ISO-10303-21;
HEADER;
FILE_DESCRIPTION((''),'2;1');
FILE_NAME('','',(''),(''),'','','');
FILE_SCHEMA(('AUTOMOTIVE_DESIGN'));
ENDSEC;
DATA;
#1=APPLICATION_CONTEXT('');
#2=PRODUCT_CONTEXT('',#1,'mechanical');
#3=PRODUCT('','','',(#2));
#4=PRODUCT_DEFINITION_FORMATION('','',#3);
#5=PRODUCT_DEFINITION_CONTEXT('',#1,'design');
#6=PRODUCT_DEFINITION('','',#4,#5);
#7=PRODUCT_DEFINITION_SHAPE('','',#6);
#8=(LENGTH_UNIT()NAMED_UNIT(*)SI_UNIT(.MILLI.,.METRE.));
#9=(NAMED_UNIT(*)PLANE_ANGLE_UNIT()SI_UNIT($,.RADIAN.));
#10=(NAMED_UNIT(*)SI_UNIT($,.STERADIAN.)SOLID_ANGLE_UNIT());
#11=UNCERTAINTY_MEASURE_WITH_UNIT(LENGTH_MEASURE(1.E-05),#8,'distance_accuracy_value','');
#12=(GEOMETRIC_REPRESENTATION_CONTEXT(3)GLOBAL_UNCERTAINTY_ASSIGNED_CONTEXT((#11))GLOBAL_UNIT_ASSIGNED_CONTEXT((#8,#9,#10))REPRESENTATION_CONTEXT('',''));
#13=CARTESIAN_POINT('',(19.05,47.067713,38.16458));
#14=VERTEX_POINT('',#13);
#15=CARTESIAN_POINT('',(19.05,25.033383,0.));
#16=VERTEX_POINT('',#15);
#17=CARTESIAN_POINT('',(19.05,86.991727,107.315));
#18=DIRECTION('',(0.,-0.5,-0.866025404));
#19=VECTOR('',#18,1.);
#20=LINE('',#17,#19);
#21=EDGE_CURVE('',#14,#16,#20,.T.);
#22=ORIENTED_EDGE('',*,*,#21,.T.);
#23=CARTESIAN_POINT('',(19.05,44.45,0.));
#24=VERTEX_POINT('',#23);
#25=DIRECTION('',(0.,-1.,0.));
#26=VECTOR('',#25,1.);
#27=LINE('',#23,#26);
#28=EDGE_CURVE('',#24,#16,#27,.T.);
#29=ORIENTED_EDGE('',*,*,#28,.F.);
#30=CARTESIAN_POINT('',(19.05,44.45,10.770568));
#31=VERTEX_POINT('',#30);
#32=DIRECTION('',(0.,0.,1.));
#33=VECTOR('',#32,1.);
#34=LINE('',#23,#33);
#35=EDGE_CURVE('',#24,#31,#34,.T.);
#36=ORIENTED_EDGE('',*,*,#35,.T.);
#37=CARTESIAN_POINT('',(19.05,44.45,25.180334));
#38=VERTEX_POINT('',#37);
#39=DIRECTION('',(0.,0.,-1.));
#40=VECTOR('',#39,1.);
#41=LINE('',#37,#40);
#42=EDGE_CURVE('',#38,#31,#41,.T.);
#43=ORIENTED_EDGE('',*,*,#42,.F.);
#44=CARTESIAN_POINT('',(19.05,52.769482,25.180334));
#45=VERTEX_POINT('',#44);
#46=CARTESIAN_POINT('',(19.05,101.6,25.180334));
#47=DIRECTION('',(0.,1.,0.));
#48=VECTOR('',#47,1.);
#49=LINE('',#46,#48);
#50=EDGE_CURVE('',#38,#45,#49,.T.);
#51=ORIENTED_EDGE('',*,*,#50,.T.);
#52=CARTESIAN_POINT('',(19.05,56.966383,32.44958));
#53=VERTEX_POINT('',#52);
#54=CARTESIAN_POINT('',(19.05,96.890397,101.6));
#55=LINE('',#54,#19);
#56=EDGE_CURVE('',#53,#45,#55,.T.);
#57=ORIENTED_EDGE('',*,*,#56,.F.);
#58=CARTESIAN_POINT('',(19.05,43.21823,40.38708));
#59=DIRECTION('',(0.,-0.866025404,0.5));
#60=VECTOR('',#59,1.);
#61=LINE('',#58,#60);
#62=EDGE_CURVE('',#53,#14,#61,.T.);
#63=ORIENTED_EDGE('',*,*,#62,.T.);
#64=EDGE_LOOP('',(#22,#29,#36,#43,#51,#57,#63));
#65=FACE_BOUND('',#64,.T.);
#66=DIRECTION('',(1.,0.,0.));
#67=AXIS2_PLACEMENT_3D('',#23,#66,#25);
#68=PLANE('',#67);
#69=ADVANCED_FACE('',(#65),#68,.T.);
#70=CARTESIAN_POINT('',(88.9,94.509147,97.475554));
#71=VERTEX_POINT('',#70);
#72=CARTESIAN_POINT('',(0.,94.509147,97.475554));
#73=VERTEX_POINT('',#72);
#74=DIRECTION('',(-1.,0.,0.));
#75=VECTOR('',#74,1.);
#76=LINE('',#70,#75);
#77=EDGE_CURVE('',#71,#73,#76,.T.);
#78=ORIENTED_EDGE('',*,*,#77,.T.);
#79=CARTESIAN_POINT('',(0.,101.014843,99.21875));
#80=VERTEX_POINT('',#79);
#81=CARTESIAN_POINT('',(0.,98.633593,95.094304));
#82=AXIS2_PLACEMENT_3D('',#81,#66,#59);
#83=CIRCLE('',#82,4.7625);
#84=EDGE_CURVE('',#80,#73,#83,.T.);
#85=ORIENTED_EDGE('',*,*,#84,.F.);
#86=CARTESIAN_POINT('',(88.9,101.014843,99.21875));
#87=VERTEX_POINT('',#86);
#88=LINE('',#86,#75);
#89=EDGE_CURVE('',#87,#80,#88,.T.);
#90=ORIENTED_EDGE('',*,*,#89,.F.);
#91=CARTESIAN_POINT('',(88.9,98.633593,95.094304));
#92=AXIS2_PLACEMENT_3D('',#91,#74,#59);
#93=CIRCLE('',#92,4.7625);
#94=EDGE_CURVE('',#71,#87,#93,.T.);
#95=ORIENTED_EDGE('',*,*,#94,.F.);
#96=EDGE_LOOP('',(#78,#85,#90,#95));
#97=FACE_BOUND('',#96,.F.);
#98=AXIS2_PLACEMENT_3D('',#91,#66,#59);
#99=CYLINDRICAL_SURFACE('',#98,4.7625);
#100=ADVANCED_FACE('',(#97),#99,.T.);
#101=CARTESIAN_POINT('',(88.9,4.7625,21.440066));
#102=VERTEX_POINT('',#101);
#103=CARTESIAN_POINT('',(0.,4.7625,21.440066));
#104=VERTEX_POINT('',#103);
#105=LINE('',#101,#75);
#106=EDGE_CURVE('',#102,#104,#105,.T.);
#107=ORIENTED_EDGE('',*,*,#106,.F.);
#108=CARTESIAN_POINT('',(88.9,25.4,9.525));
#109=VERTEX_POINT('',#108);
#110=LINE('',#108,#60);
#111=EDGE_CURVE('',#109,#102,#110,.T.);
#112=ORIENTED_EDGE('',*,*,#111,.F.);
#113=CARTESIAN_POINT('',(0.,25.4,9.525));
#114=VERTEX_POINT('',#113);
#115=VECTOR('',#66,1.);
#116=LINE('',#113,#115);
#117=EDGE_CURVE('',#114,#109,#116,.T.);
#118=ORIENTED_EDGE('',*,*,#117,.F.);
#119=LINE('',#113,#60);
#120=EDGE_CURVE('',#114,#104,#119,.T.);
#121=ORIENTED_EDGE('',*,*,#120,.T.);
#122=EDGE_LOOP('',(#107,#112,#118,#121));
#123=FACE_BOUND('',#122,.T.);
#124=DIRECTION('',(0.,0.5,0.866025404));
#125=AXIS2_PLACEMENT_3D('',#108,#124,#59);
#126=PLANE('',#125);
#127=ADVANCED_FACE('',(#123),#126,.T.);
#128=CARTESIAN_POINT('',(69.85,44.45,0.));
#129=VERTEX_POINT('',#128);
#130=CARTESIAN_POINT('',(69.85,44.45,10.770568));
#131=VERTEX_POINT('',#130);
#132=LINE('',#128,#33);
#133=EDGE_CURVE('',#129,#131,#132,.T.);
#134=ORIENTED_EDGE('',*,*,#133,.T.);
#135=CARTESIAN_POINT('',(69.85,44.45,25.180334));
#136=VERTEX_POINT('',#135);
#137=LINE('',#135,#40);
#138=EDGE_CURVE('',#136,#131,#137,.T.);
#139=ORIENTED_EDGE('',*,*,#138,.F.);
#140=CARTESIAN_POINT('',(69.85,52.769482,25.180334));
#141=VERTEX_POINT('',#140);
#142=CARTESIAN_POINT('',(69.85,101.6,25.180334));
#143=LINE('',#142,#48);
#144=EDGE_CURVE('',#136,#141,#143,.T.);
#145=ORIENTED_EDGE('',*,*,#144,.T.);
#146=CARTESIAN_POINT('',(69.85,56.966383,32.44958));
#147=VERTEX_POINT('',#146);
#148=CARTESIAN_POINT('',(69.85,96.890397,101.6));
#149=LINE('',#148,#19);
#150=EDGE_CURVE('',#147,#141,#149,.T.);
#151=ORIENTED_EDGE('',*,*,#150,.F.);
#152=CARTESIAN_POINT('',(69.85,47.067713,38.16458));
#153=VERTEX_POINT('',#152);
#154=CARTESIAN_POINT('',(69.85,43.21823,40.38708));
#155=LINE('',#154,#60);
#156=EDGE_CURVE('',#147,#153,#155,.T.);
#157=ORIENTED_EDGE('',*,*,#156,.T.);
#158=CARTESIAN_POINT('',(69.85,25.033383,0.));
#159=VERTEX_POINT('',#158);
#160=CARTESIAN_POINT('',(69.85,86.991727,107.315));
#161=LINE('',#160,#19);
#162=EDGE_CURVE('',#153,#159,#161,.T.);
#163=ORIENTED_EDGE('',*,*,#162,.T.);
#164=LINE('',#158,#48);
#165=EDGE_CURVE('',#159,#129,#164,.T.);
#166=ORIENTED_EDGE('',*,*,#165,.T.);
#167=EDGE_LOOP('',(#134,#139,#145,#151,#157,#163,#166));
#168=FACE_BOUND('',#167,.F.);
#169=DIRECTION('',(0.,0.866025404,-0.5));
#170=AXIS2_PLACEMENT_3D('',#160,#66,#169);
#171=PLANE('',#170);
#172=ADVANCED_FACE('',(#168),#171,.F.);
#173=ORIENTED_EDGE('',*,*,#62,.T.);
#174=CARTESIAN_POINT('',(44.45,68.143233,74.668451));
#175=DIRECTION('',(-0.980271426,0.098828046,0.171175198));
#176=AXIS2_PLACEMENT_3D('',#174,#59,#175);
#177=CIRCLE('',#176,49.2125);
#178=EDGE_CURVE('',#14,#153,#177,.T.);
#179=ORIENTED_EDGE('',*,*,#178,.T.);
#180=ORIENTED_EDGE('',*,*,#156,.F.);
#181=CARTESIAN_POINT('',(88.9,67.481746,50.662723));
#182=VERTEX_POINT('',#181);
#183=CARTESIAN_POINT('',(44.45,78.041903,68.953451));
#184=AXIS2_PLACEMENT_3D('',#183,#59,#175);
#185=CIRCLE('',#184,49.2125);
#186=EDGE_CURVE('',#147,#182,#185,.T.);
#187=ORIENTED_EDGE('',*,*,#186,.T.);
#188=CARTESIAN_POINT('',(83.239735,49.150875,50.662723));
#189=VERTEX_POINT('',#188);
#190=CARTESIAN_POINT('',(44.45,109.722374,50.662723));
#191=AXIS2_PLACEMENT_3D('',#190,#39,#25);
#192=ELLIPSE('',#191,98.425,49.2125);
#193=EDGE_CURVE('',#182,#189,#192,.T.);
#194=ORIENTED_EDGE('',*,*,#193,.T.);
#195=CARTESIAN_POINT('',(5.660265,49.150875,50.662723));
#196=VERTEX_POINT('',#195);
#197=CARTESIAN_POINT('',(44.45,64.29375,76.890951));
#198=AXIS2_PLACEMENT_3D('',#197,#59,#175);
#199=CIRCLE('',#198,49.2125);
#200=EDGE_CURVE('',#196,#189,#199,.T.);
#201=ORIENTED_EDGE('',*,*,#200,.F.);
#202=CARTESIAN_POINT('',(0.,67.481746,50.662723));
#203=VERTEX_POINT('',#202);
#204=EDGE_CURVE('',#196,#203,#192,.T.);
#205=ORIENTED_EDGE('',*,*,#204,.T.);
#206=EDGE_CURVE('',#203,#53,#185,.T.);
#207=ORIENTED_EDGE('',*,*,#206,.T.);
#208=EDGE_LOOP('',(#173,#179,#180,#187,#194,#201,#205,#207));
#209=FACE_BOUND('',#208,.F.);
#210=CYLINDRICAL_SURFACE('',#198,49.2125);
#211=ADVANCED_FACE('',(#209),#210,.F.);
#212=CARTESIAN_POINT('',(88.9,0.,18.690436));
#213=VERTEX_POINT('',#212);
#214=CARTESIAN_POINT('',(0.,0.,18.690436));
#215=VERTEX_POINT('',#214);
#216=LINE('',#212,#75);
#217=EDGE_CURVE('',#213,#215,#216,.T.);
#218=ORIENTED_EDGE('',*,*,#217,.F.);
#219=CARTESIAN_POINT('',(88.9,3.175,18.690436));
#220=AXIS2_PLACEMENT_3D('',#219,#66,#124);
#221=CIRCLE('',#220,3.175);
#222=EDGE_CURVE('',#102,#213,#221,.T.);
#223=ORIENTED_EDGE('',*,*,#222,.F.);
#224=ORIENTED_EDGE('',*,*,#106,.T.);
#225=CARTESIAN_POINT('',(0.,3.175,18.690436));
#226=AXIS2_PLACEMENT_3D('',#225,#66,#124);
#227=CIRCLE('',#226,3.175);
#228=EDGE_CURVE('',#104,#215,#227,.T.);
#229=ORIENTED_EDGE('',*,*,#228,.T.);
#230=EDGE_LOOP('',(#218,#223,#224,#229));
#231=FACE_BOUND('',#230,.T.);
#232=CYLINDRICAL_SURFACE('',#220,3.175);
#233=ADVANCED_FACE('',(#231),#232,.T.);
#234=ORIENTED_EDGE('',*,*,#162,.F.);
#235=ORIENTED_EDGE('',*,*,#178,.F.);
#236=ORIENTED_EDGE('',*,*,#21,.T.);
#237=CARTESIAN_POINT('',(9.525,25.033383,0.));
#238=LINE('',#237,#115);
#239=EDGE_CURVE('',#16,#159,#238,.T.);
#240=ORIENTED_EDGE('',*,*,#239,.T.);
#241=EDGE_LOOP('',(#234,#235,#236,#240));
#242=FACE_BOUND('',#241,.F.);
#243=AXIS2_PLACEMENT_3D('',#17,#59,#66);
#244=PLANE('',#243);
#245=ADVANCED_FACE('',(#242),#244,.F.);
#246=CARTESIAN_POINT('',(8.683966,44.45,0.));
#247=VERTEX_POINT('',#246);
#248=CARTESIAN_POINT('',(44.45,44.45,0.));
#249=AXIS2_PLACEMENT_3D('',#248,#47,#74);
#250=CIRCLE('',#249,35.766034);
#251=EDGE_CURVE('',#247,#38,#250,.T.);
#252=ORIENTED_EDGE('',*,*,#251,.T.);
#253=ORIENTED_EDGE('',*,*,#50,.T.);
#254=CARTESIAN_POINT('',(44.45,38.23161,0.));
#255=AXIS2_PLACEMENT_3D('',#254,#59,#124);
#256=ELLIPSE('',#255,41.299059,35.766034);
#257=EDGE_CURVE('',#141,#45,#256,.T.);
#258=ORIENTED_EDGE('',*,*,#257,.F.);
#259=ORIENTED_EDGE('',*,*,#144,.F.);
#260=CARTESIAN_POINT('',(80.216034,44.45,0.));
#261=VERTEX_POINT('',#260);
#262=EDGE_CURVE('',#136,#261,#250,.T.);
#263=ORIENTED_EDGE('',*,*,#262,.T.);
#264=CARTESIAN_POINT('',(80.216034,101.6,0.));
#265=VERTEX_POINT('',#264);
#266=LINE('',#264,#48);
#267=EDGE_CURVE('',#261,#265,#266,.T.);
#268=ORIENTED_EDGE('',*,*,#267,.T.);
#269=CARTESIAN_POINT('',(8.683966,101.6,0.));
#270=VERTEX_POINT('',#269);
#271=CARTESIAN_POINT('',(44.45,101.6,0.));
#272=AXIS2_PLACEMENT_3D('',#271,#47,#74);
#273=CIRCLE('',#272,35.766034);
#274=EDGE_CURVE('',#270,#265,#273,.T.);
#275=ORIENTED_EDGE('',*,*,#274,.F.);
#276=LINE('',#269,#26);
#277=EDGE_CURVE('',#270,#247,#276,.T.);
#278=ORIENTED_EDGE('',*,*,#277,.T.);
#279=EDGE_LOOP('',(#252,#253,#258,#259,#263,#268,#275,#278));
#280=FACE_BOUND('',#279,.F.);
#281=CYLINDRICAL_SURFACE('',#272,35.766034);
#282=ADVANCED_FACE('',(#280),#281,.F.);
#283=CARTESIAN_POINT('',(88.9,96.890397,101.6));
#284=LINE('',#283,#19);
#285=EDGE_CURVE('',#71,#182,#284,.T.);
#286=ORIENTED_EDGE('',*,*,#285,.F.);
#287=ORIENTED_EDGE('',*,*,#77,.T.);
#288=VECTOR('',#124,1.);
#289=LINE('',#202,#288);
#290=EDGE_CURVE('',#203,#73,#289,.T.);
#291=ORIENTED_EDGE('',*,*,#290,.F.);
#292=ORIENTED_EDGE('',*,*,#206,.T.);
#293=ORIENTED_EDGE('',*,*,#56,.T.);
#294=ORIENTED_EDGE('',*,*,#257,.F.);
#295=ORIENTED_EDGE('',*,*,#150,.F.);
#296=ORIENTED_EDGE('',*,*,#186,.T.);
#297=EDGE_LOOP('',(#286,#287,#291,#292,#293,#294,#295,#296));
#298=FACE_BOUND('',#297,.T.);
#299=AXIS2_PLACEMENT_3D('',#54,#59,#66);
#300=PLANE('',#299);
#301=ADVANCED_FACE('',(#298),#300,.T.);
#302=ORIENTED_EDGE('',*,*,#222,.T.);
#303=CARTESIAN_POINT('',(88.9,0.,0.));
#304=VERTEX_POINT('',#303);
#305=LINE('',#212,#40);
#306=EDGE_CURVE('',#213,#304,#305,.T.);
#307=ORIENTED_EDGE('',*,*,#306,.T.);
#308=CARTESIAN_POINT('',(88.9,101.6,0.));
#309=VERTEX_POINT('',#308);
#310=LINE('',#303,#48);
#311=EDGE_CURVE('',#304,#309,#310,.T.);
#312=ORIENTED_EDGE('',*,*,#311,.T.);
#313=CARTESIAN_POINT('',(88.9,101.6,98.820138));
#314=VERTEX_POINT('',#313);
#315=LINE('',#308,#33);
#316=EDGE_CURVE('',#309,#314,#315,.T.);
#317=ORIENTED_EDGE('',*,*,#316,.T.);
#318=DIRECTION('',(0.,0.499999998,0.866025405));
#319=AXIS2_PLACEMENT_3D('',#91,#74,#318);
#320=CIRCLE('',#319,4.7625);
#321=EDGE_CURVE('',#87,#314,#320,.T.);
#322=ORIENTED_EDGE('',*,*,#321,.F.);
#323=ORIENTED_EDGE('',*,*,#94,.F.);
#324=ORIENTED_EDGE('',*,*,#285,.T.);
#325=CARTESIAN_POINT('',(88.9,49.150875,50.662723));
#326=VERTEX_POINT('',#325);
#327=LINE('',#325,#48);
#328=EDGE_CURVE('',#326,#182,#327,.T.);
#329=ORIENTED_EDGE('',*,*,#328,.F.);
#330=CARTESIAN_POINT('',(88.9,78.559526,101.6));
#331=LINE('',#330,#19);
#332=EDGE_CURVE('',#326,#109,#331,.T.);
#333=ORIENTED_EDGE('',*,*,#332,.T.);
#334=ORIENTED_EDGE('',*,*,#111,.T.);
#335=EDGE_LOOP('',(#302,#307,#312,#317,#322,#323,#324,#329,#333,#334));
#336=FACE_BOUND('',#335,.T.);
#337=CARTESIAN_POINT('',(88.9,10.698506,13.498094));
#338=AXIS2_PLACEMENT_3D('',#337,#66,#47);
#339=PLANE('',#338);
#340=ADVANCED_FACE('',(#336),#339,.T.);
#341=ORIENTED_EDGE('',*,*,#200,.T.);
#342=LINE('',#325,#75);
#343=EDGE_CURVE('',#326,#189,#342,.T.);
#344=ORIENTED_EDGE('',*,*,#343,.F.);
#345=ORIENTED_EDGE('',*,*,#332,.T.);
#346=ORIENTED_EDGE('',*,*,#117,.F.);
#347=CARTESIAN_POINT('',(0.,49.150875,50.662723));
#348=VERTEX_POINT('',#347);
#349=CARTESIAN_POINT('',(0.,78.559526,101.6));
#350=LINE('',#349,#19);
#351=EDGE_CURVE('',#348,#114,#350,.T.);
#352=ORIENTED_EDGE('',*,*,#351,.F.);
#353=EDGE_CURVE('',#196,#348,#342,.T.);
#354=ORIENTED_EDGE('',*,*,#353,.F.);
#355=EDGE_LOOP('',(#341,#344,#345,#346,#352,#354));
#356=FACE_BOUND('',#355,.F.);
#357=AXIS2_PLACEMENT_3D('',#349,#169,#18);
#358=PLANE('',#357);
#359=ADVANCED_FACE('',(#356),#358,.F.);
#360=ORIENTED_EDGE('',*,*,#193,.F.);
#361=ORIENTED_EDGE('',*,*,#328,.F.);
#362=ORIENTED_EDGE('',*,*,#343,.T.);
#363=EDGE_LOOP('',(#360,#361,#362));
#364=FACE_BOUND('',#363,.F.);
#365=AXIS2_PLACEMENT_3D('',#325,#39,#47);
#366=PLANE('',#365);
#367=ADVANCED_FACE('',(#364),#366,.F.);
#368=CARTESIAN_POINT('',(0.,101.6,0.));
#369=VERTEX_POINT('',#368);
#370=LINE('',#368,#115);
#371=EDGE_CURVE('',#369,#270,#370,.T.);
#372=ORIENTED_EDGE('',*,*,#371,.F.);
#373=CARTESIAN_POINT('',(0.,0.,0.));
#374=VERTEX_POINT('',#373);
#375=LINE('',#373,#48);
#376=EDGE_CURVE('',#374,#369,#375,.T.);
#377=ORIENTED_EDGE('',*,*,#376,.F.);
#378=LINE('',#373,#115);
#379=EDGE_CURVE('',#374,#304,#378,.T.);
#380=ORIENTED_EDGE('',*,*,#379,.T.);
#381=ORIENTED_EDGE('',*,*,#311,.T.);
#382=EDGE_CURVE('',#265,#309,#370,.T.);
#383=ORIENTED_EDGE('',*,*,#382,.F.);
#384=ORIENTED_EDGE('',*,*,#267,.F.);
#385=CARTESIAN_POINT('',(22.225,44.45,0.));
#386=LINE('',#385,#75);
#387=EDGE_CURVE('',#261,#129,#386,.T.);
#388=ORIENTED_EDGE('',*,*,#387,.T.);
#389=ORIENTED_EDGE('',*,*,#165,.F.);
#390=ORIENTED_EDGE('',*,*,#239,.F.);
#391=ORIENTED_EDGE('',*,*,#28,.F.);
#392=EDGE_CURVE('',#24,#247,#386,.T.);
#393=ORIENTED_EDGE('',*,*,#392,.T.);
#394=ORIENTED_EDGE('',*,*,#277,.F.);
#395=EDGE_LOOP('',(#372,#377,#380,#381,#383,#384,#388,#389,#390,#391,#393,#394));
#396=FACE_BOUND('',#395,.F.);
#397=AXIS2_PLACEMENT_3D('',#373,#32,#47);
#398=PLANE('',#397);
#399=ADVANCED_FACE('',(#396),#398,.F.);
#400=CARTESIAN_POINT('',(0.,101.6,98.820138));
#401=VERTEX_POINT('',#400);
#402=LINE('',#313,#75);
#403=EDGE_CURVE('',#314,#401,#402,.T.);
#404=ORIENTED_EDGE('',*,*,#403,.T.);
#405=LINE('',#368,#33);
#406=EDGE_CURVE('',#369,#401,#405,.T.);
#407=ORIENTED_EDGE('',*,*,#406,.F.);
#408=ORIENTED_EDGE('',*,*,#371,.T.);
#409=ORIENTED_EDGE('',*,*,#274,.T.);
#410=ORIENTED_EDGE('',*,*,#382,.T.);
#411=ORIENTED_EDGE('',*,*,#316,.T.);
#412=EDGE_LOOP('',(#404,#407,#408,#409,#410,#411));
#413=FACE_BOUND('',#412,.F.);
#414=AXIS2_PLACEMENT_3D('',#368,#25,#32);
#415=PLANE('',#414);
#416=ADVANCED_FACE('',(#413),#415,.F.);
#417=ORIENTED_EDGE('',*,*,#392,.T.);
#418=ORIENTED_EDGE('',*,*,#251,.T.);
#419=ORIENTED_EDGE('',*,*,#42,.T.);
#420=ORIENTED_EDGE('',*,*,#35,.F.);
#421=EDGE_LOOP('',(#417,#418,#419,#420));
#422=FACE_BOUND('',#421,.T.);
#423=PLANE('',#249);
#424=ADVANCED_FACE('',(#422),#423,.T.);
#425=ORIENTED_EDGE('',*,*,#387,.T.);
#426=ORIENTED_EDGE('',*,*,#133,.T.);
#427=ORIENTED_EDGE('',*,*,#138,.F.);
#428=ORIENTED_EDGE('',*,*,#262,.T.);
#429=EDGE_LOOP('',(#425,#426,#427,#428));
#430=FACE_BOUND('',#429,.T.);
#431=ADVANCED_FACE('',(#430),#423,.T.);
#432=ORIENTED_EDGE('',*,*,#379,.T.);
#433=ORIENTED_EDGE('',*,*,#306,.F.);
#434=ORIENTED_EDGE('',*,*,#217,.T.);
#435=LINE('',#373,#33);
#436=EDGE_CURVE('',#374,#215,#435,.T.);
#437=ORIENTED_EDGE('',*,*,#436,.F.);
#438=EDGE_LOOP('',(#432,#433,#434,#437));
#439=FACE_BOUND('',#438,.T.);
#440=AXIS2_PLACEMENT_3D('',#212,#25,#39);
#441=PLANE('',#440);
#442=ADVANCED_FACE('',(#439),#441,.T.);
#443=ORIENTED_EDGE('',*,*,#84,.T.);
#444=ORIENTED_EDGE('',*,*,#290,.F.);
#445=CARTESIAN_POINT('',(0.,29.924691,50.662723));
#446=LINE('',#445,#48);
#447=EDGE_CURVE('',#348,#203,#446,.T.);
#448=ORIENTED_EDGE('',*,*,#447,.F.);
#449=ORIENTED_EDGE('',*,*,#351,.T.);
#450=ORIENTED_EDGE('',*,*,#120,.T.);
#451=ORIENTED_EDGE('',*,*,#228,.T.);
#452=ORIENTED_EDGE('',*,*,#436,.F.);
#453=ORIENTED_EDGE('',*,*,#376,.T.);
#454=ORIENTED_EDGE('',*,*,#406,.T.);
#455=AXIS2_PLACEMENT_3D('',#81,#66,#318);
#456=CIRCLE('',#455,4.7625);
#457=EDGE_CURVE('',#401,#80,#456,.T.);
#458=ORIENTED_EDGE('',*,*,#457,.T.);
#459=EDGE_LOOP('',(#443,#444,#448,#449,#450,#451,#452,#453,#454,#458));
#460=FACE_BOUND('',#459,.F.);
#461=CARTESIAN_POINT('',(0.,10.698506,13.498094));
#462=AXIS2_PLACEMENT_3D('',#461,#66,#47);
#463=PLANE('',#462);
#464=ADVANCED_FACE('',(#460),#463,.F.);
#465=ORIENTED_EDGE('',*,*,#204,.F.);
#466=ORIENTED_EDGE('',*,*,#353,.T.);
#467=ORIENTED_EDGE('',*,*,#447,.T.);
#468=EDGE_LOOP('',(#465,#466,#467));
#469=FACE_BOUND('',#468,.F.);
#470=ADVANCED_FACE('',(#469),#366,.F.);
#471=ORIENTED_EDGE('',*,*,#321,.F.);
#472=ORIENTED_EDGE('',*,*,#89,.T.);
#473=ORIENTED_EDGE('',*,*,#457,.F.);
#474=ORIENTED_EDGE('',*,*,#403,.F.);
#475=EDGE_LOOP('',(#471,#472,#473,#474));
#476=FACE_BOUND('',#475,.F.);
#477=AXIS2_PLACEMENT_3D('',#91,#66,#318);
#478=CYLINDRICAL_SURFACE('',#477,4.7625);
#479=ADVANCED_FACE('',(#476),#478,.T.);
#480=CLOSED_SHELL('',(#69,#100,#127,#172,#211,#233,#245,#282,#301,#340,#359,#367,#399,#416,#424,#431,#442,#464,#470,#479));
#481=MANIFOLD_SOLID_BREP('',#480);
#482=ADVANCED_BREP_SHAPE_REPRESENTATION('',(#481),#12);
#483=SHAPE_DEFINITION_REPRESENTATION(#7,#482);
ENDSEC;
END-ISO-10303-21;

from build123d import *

# Parameters (mm, degrees)
F1_DEPTH  = 88.9
F3_DEPTH  = 15.875
F5_DEPTH  = 88.901
F6_W      = 50.8
F6_H      = 11.43
F7_DEPTH  = 136.4343795657
F8_R      = 35.7660342863
F9_DEPTH  = 57.15
F10_W     = 50.8
F10_H     = 6.2183902673
F11_DEPTH = 10.7715678842
F13_DEPTH = 88.9
F15_DEPTH = 88.901
F17_DEPTH = 88.901


with BuildPart() as f1:
    # F0 (on Right) → F1 (new body)
    with BuildSketch(Plane.YZ):
        Polygon((0, 9.525), (0, 0), (101.6, 0), (101.6, 101.6), (78.5595260356, 101.6), (25.4, 9.525), align=None)
    extrude(amount=F1_DEPTH)

    # F2 (on face) → F3 (cut)
    with BuildSketch(Plane(origin=(0, 14.9255540145, -8.6172726281), x_dir=(1, 0, 0), z_dir=(0, -0.8660254038, 0.5))):
        with BuildLine():
            Line((0, 127.2679440423), (-3.7916075595, 108.4635424443))
            ThreePointArc((-3.7916075595, 108.4635424443), (44.45, 49.523891971), (92.6916075595, 108.4635424443))
            Line((92.6916075595, 108.4635424443), (88.9, 127.2679440423))
            Line((88.9, 127.2679440423), (88.9, 140.5219882727))
            Line((88.9, 140.5219882727), (0, 140.5219882727))
            Line((0, 140.5219882727), (0, 127.2679440423))
        make_face()
    extrude(amount=-F3_DEPTH, mode=Mode.SUBTRACT)

    # F4 (on face) → F5 (cut, through all)
    with BuildSketch(Plane.YZ.offset(88.9)):
        Polygon((103.9759144766, 114.3859309679), (96.8903970824, 101.6), (110.1333461889, 93.9541797685), (117.4411960521, 106.6117470256), align=None)
    extrude(amount=-F5_DEPTH, mode=Mode.SUBTRACT)

    # F6 (on face) → F7 (cut, through all)
    with BuildSketch(Plane(origin=(0, 68.2166897829, 118.1547726281), x_dir=(1, 0, 0), z_dir=(0, 0.5, 0.8660254038))):
        with Locations((44.45, 27.3945452561)):
            Rectangle(F6_W, F6_H)
    extrude(amount=-F7_DEPTH, mode=Mode.SUBTRACT)

    # F8 (on face) → F9 (cut)
    with BuildSketch(Plane(origin=(0, 101.6, 0), x_dir=(-1, 0, 0), z_dir=(0, 1, 0))):
        with Locations((-44.45, 0)):
            Circle(F8_R)
    extrude(amount=-F9_DEPTH, mode=Mode.SUBTRACT)

    # F10 (on face) → F11 (cut, through all)
    with BuildSketch(Plane(origin=(0, 0, 0), x_dir=(1, 0, 0), z_dir=(0, 0, -1))):
        with Locations((44.45, -41.3408048664)):
            Rectangle(F10_W, F10_H)
    extrude(amount=-F11_DEPTH, mode=Mode.SUBTRACT)

    # F12 (on face) → F13 (join)
    with BuildSketch(Plane.YZ.offset(88.9)):
        with BuildLine():
            Line((0, 9.525), (25.4, 9.525))
            Line((25.4, 9.525), (4.7625, 21.4400661804))
            ThreePointArc((4.7625, 21.4400661804), (1.5875, 21.4400661804), (0, 18.6904355234))
            Line((0, 18.6904355234), (0, 9.525))
        make_face()
    extrude(amount=-F13_DEPTH)

    # F14 (on face) → F15 (cut, through all)
    with BuildSketch(Plane.YZ.offset(88.9)):
        Polygon((49.1508753236, 50.6627227848), (67.4817463704, 50.6627227848), (53.7335930853, 58.6002227848), align=None)
    extrude(amount=-F15_DEPTH, mode=Mode.SUBTRACT)

    # F16 (on face) → F17 (cut, through all)
    with BuildSketch(Plane.YZ.offset(88.9)):
        with BuildLine():
            ThreePointArc((94.5091470824, 97.4755540145), (97.4009673604, 99.6945257608), (101.0148430585, 99.2187500055))
            Line((101.0148430585, 99.2187500055), (96.8903970824, 101.6))
            Line((96.8903970824, 101.6), (94.5091470824, 97.4755540145))
        make_face()
        with BuildLine():
            ThreePointArc((101.0148430585, 99.2187500055), (101.3148393446, 99.0303330608), (101.6, 98.8201376344))
            Line((101.6, 98.8201376344), (101.6, 98.8809094878))
            Line((101.6, 98.8809094878), (101.0148430585, 99.2187500055))
        make_face()
    extrude(amount=-F17_DEPTH, mode=Mode.SUBTRACT)


solid = f1.part
